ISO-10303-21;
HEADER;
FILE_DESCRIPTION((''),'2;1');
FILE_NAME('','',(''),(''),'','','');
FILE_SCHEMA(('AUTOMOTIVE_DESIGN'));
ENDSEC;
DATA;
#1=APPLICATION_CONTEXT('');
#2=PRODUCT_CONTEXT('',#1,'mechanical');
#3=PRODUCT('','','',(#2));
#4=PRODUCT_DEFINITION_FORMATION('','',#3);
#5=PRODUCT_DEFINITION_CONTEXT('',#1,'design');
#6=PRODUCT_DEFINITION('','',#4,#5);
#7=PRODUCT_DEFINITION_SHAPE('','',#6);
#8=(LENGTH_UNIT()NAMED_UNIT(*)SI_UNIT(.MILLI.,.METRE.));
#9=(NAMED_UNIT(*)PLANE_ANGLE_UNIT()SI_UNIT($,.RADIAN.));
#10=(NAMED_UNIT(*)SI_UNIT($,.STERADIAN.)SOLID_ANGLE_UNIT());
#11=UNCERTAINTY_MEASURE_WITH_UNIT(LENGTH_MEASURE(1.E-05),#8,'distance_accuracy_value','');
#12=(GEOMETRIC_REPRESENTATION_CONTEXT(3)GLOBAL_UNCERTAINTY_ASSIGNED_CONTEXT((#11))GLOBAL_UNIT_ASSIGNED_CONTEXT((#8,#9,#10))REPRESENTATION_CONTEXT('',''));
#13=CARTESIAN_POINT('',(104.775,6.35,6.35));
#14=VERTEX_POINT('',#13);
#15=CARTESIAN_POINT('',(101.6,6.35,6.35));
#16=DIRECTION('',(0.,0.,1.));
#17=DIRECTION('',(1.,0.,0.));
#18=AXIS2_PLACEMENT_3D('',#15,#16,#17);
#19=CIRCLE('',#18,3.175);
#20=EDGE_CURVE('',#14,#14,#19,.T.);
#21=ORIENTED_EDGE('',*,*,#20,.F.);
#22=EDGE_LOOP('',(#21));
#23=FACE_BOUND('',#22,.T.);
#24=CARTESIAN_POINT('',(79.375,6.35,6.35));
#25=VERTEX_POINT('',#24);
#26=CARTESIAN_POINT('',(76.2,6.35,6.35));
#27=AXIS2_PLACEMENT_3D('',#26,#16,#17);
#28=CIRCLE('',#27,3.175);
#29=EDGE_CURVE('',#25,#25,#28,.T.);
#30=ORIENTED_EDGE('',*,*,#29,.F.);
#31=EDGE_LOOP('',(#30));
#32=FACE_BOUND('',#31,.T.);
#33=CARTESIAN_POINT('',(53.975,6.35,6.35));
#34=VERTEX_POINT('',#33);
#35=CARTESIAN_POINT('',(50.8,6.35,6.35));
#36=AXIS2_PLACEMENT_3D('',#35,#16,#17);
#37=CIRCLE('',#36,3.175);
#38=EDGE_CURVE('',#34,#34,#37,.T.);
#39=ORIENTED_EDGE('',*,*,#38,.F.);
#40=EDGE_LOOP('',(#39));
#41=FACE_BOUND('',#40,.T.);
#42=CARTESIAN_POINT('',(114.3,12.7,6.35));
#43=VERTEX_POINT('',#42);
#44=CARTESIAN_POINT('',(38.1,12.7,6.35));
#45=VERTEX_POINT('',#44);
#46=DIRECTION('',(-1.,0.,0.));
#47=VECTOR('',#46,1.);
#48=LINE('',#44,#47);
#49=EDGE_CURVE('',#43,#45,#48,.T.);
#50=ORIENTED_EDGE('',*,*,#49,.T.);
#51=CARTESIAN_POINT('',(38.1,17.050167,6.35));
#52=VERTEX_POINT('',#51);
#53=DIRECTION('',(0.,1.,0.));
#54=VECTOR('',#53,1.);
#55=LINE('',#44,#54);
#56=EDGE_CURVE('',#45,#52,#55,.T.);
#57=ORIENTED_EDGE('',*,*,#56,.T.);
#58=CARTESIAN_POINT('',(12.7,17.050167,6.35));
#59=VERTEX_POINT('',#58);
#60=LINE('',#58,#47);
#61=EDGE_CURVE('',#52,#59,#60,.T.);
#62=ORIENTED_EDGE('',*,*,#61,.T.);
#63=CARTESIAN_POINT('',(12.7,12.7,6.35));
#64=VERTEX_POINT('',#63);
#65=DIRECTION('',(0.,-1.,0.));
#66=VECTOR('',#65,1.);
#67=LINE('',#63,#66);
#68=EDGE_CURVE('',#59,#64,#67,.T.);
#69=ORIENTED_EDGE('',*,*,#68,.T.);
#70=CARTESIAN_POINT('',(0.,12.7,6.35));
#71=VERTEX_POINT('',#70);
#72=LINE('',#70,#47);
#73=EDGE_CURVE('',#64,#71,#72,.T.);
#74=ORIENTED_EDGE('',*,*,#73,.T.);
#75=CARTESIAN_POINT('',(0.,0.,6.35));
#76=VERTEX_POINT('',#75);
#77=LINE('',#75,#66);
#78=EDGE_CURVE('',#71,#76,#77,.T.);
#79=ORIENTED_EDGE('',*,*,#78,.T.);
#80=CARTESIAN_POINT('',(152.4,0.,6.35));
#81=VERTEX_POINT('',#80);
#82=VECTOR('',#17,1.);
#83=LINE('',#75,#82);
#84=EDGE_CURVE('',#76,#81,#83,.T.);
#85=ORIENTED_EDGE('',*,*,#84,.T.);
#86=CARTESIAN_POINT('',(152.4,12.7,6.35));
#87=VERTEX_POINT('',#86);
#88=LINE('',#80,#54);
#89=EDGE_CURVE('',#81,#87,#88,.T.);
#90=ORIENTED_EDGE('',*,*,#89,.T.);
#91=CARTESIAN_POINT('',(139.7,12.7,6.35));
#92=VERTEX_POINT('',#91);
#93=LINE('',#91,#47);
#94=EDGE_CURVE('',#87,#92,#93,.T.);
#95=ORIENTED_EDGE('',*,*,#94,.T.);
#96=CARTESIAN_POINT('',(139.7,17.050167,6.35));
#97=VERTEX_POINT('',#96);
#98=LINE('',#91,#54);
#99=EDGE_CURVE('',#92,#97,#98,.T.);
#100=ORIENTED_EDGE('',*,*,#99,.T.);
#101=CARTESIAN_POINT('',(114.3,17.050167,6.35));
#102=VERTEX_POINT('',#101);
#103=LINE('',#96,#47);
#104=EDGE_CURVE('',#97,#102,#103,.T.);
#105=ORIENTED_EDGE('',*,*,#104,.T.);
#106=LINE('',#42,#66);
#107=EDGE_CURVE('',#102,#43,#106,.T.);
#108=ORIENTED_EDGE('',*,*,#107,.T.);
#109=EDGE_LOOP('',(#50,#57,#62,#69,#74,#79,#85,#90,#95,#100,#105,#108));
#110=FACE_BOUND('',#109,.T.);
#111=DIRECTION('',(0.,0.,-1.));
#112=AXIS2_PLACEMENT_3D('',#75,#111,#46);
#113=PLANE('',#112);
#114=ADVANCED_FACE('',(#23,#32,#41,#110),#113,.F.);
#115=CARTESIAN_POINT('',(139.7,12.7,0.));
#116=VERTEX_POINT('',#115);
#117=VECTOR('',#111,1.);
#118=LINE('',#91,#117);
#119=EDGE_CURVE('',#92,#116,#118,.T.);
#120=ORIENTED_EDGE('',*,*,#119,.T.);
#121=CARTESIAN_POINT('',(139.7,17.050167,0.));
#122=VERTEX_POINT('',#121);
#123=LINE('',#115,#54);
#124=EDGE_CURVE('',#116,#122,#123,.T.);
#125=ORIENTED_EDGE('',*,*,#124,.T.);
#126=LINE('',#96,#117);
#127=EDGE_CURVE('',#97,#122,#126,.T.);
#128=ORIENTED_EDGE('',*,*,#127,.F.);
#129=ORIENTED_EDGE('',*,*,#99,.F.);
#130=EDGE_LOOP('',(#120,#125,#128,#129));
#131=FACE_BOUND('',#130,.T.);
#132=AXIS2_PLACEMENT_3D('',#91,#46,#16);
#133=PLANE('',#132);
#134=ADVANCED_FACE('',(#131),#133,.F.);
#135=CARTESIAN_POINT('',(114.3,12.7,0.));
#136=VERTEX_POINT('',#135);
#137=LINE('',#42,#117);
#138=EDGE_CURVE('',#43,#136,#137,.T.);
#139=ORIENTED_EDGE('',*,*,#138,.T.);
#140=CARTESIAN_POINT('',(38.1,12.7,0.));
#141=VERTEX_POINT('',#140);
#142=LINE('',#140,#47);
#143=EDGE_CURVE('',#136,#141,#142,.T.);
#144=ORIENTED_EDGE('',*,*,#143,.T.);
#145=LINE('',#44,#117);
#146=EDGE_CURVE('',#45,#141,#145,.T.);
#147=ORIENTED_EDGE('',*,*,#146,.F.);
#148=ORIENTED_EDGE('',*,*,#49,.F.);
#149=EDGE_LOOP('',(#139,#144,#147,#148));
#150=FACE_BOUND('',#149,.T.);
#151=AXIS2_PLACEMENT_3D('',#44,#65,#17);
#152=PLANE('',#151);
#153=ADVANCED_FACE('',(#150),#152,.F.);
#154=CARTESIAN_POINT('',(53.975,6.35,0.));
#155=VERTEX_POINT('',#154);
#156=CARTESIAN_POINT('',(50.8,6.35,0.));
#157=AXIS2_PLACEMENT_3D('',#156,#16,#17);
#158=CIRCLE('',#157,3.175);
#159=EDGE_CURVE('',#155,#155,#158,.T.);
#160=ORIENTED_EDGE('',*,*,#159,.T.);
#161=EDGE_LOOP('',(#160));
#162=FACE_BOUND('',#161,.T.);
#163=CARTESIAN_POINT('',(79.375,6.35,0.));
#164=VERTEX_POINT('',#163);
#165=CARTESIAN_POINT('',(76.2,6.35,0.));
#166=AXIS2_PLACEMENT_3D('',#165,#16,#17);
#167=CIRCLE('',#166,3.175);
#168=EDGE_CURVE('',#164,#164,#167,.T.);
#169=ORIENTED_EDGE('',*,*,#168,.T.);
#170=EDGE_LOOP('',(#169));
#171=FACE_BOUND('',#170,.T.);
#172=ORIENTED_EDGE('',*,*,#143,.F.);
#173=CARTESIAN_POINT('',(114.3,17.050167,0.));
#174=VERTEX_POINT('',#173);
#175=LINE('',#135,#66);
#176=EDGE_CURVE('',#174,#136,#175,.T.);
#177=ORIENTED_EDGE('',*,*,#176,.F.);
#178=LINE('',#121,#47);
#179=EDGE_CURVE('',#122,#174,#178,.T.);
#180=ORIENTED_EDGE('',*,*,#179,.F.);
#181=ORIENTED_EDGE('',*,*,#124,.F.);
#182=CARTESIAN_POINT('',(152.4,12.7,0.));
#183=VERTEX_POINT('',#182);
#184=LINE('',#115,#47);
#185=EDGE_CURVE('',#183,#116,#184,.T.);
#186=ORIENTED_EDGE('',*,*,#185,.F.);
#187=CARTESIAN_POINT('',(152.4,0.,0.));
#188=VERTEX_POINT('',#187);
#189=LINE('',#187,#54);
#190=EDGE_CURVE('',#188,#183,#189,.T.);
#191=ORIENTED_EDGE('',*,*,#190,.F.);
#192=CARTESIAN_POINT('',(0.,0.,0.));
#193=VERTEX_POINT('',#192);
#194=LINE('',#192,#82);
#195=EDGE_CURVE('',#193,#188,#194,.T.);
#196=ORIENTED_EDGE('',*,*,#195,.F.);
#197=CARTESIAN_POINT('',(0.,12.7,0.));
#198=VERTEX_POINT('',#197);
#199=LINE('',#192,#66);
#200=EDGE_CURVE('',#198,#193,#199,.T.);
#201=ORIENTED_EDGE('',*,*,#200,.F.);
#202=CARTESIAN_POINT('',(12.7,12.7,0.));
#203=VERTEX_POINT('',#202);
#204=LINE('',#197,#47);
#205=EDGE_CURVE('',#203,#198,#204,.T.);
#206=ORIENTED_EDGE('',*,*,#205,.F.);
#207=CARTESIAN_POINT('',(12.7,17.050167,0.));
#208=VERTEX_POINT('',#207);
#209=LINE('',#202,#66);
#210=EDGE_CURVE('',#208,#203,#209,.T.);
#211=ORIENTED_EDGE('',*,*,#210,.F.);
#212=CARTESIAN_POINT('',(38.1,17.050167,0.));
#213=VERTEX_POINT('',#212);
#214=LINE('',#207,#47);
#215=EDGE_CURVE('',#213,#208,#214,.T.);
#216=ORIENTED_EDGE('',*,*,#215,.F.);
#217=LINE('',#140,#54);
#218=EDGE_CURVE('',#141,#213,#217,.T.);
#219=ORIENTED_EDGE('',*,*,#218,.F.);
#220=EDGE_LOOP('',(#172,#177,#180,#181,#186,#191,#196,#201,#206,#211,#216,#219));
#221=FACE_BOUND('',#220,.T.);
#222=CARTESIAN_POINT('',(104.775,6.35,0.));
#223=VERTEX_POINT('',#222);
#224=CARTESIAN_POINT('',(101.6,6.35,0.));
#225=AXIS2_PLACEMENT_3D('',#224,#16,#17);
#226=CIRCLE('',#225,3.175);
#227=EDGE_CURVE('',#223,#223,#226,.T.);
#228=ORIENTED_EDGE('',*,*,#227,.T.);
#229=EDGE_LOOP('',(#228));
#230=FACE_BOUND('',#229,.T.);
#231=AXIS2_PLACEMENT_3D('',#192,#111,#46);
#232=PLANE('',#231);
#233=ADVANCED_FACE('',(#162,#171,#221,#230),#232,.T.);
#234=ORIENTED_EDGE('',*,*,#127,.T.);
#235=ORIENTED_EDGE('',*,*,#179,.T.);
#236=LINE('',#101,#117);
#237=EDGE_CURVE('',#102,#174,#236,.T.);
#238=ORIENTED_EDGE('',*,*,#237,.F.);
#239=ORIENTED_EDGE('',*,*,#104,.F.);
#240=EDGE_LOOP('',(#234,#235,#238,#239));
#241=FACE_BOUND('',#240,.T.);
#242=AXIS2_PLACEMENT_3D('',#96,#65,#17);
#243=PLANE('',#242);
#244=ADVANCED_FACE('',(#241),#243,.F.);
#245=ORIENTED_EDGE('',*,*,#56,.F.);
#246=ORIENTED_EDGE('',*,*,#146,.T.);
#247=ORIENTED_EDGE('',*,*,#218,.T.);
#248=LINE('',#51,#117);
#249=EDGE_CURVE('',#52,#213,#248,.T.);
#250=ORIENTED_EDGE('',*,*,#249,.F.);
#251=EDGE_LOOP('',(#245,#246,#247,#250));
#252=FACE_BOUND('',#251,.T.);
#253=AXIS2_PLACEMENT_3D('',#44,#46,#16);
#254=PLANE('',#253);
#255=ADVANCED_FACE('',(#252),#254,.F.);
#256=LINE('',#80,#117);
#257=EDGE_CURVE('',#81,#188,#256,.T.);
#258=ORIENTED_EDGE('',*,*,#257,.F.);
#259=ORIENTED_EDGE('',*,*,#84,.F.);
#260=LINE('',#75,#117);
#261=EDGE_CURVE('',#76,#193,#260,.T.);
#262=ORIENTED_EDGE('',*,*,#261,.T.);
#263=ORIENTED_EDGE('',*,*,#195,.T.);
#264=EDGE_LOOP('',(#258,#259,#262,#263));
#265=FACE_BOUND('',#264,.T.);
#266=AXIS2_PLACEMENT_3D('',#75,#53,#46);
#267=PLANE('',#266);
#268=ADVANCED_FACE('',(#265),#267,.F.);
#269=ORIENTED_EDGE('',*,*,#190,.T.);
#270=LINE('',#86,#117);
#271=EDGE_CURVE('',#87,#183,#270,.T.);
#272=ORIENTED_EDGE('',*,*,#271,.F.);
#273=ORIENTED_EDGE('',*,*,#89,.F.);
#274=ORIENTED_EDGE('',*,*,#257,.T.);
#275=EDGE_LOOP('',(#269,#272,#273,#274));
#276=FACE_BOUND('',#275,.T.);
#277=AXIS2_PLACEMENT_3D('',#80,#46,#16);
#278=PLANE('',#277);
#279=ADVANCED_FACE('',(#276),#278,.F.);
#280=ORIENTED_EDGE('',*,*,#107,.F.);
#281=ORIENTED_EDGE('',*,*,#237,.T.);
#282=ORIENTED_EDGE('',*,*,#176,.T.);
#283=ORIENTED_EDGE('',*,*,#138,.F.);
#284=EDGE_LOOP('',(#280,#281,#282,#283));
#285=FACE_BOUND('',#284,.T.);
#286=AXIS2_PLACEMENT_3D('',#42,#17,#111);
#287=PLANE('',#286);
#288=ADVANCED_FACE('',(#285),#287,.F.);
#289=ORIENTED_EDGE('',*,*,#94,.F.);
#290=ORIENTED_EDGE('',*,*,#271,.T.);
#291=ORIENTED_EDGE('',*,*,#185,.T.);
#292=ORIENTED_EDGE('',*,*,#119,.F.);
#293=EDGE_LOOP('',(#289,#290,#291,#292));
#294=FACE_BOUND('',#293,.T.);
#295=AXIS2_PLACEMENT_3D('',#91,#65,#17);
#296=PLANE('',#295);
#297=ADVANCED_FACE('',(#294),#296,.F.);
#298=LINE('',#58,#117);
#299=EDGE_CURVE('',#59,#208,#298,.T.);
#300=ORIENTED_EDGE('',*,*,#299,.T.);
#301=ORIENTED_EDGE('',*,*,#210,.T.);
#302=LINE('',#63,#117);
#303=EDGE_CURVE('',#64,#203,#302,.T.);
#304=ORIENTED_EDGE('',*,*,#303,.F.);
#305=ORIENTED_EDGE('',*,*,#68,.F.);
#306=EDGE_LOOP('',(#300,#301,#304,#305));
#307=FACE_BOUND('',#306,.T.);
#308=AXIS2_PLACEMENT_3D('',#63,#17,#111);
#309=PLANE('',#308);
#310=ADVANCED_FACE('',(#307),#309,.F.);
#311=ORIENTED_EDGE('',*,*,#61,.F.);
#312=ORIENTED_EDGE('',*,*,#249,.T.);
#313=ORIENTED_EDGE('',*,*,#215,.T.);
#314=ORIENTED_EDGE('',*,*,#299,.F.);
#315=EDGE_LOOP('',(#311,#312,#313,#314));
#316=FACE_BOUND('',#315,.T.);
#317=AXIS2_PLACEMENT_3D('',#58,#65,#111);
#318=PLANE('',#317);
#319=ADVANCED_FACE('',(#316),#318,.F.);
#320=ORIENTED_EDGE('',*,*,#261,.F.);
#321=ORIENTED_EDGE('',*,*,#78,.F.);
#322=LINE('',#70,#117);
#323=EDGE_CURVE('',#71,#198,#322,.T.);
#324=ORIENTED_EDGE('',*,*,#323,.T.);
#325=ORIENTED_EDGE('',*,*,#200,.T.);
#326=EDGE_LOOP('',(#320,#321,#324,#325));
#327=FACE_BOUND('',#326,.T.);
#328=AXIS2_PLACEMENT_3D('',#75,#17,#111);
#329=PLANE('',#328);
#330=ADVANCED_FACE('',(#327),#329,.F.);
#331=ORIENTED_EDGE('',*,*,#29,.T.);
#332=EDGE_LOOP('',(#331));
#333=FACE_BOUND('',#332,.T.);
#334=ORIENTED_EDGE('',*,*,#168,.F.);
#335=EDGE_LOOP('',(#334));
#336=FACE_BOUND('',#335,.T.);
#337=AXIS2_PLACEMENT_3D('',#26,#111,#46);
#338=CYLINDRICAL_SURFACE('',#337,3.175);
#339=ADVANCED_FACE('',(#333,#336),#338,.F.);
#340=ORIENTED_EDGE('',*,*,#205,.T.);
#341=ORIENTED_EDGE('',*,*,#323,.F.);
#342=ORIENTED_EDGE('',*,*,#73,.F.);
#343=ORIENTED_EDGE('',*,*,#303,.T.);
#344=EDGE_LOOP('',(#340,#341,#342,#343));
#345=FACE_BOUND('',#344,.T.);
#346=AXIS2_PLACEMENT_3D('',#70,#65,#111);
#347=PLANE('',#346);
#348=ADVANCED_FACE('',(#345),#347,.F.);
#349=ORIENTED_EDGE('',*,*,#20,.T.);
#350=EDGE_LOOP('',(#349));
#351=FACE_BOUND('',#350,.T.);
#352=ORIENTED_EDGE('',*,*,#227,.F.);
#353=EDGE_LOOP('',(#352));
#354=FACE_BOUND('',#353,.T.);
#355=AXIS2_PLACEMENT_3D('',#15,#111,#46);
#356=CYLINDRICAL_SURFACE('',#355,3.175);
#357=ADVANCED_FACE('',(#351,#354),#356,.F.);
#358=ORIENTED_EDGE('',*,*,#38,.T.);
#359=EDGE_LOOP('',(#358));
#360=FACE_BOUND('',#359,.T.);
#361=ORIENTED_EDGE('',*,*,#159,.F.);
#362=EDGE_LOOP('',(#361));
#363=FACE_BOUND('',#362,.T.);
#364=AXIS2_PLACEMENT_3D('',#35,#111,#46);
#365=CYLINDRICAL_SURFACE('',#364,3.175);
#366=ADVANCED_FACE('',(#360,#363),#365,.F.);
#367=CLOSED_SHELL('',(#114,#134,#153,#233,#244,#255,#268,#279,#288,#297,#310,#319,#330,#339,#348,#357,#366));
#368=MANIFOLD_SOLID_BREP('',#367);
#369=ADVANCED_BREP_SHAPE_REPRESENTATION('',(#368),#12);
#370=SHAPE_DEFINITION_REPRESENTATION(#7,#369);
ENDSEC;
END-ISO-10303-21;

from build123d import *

# Parameters (mm, degrees)
SKETCH1_R           = 3.175
BOSS_EXTRUDE1_DEPTH = 6.35


with BuildPart() as part:
    # Sketch1 → Boss-Extrude1 (new body)
    with BuildSketch(Plane.XY):
        Polygon((38.1, 12.7), (114.3, 12.7), (114.3, 17.050166685), (139.7, 17.050166685), (139.7, 12.7), (152.4, 12.7), (152.4, 0), (0, 0), (0, 12.7), (12.7, 12.7), (12.7, 17.050166685), (38.1, 17.050166685), align=None)
        with Locations((50.8, 6.35)):
            Circle(SKETCH1_R, mode=Mode.SUBTRACT)
        with Locations((76.2, 6.35)):
            Circle(SKETCH1_R, mode=Mode.SUBTRACT)
        with Locations((101.6, 6.35)):
            Circle(SKETCH1_R, mode=Mode.SUBTRACT)
    extrude(amount=BOSS_EXTRUDE1_DEPTH)


solid = part.part
